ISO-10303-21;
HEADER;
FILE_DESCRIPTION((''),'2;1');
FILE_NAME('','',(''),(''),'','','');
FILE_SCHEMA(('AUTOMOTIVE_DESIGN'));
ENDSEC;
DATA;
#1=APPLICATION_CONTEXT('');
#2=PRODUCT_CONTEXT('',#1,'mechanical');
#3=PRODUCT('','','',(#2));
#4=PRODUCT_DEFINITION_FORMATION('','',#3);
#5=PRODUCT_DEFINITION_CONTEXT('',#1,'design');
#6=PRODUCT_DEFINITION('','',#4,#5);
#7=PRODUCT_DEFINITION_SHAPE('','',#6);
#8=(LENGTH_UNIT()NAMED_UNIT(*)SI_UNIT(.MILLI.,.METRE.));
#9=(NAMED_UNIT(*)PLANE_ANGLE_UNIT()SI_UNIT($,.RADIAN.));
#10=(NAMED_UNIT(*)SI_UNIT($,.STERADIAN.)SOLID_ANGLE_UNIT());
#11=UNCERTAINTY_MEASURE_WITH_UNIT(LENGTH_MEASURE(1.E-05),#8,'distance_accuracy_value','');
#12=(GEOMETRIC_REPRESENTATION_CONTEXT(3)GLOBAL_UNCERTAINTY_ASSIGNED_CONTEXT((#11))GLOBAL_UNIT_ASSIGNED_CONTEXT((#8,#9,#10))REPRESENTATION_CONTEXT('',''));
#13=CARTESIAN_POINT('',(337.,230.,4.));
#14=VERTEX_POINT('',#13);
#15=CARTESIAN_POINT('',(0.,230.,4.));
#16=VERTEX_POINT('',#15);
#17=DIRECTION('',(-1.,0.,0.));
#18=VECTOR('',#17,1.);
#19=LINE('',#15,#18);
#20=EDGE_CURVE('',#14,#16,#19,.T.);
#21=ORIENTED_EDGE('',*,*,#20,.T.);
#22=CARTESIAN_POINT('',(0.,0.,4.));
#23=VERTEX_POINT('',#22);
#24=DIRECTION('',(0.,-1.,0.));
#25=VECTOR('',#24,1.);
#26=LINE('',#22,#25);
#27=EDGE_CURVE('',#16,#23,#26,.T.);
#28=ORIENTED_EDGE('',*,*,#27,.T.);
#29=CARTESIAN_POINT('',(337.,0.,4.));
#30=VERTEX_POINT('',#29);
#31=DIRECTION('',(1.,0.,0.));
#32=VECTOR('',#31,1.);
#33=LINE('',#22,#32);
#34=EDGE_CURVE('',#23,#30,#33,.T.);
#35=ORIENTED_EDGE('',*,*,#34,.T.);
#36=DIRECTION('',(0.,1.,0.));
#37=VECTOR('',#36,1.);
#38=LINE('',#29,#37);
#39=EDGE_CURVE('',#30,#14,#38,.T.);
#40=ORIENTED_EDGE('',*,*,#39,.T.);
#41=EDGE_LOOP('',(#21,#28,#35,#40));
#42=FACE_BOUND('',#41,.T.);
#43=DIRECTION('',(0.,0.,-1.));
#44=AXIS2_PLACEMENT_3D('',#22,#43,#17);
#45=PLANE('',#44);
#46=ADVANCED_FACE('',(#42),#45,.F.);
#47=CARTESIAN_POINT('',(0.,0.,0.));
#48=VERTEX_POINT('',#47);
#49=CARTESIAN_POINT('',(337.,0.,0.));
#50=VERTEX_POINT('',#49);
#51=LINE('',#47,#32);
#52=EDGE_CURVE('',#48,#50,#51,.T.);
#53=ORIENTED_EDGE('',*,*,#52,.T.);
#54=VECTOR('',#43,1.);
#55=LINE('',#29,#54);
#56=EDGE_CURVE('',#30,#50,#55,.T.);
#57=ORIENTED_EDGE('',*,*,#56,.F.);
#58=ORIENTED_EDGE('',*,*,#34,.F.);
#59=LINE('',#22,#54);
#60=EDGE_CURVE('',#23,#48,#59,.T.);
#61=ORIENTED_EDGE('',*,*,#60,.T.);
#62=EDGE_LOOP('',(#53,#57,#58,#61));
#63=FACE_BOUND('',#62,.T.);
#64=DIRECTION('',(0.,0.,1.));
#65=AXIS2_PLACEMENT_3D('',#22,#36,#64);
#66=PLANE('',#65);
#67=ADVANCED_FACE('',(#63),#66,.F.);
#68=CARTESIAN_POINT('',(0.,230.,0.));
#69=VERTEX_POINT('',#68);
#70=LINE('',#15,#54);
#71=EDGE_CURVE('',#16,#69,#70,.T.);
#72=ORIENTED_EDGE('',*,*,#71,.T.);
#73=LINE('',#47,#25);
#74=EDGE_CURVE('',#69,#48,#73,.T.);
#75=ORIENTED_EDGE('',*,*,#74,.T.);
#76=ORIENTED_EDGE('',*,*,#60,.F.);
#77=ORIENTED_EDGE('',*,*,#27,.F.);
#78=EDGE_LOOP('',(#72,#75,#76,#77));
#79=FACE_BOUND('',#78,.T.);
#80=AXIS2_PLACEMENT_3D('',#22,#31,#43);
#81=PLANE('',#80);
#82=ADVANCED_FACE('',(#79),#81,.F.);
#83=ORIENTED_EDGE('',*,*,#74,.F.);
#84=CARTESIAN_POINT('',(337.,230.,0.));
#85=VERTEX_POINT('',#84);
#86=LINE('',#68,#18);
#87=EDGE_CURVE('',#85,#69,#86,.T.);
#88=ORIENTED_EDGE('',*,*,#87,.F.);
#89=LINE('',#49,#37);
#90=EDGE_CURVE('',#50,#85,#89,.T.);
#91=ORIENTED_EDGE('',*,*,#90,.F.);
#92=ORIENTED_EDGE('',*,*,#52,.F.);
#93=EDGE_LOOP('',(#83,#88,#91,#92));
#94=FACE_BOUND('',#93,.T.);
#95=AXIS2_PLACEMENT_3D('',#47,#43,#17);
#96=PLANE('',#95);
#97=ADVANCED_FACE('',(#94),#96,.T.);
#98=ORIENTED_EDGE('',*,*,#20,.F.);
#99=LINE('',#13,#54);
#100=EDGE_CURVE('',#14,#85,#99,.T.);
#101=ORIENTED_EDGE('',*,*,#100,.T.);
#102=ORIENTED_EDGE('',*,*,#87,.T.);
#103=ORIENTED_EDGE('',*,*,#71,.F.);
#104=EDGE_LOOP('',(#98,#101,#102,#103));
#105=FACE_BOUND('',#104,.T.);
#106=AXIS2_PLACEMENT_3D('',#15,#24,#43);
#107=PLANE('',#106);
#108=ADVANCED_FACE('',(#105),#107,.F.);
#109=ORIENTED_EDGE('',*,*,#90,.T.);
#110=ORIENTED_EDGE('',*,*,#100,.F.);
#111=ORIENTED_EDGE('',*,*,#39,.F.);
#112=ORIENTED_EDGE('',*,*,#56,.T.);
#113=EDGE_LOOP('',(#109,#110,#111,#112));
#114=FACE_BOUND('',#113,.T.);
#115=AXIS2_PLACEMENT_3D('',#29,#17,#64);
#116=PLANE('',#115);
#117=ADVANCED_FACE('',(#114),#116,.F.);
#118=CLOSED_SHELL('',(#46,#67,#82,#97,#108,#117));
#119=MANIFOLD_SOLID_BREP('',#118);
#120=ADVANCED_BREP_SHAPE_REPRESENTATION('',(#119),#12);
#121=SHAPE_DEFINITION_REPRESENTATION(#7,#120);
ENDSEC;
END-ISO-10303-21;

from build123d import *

# Parameters (mm, degrees)
SKETCH1_W           = 337
SKETCH1_H           = 230
BOSS_EXTRUDE1_DEPTH = 4


with BuildPart() as part:
    # Sketch1 → Boss-Extrude1 (new body)
    with BuildSketch(Plane.XY):
        with Locations((168.5, 115)):
            Rectangle(SKETCH1_W, SKETCH1_H)
    extrude(amount=BOSS_EXTRUDE1_DEPTH)


solid = part.part
